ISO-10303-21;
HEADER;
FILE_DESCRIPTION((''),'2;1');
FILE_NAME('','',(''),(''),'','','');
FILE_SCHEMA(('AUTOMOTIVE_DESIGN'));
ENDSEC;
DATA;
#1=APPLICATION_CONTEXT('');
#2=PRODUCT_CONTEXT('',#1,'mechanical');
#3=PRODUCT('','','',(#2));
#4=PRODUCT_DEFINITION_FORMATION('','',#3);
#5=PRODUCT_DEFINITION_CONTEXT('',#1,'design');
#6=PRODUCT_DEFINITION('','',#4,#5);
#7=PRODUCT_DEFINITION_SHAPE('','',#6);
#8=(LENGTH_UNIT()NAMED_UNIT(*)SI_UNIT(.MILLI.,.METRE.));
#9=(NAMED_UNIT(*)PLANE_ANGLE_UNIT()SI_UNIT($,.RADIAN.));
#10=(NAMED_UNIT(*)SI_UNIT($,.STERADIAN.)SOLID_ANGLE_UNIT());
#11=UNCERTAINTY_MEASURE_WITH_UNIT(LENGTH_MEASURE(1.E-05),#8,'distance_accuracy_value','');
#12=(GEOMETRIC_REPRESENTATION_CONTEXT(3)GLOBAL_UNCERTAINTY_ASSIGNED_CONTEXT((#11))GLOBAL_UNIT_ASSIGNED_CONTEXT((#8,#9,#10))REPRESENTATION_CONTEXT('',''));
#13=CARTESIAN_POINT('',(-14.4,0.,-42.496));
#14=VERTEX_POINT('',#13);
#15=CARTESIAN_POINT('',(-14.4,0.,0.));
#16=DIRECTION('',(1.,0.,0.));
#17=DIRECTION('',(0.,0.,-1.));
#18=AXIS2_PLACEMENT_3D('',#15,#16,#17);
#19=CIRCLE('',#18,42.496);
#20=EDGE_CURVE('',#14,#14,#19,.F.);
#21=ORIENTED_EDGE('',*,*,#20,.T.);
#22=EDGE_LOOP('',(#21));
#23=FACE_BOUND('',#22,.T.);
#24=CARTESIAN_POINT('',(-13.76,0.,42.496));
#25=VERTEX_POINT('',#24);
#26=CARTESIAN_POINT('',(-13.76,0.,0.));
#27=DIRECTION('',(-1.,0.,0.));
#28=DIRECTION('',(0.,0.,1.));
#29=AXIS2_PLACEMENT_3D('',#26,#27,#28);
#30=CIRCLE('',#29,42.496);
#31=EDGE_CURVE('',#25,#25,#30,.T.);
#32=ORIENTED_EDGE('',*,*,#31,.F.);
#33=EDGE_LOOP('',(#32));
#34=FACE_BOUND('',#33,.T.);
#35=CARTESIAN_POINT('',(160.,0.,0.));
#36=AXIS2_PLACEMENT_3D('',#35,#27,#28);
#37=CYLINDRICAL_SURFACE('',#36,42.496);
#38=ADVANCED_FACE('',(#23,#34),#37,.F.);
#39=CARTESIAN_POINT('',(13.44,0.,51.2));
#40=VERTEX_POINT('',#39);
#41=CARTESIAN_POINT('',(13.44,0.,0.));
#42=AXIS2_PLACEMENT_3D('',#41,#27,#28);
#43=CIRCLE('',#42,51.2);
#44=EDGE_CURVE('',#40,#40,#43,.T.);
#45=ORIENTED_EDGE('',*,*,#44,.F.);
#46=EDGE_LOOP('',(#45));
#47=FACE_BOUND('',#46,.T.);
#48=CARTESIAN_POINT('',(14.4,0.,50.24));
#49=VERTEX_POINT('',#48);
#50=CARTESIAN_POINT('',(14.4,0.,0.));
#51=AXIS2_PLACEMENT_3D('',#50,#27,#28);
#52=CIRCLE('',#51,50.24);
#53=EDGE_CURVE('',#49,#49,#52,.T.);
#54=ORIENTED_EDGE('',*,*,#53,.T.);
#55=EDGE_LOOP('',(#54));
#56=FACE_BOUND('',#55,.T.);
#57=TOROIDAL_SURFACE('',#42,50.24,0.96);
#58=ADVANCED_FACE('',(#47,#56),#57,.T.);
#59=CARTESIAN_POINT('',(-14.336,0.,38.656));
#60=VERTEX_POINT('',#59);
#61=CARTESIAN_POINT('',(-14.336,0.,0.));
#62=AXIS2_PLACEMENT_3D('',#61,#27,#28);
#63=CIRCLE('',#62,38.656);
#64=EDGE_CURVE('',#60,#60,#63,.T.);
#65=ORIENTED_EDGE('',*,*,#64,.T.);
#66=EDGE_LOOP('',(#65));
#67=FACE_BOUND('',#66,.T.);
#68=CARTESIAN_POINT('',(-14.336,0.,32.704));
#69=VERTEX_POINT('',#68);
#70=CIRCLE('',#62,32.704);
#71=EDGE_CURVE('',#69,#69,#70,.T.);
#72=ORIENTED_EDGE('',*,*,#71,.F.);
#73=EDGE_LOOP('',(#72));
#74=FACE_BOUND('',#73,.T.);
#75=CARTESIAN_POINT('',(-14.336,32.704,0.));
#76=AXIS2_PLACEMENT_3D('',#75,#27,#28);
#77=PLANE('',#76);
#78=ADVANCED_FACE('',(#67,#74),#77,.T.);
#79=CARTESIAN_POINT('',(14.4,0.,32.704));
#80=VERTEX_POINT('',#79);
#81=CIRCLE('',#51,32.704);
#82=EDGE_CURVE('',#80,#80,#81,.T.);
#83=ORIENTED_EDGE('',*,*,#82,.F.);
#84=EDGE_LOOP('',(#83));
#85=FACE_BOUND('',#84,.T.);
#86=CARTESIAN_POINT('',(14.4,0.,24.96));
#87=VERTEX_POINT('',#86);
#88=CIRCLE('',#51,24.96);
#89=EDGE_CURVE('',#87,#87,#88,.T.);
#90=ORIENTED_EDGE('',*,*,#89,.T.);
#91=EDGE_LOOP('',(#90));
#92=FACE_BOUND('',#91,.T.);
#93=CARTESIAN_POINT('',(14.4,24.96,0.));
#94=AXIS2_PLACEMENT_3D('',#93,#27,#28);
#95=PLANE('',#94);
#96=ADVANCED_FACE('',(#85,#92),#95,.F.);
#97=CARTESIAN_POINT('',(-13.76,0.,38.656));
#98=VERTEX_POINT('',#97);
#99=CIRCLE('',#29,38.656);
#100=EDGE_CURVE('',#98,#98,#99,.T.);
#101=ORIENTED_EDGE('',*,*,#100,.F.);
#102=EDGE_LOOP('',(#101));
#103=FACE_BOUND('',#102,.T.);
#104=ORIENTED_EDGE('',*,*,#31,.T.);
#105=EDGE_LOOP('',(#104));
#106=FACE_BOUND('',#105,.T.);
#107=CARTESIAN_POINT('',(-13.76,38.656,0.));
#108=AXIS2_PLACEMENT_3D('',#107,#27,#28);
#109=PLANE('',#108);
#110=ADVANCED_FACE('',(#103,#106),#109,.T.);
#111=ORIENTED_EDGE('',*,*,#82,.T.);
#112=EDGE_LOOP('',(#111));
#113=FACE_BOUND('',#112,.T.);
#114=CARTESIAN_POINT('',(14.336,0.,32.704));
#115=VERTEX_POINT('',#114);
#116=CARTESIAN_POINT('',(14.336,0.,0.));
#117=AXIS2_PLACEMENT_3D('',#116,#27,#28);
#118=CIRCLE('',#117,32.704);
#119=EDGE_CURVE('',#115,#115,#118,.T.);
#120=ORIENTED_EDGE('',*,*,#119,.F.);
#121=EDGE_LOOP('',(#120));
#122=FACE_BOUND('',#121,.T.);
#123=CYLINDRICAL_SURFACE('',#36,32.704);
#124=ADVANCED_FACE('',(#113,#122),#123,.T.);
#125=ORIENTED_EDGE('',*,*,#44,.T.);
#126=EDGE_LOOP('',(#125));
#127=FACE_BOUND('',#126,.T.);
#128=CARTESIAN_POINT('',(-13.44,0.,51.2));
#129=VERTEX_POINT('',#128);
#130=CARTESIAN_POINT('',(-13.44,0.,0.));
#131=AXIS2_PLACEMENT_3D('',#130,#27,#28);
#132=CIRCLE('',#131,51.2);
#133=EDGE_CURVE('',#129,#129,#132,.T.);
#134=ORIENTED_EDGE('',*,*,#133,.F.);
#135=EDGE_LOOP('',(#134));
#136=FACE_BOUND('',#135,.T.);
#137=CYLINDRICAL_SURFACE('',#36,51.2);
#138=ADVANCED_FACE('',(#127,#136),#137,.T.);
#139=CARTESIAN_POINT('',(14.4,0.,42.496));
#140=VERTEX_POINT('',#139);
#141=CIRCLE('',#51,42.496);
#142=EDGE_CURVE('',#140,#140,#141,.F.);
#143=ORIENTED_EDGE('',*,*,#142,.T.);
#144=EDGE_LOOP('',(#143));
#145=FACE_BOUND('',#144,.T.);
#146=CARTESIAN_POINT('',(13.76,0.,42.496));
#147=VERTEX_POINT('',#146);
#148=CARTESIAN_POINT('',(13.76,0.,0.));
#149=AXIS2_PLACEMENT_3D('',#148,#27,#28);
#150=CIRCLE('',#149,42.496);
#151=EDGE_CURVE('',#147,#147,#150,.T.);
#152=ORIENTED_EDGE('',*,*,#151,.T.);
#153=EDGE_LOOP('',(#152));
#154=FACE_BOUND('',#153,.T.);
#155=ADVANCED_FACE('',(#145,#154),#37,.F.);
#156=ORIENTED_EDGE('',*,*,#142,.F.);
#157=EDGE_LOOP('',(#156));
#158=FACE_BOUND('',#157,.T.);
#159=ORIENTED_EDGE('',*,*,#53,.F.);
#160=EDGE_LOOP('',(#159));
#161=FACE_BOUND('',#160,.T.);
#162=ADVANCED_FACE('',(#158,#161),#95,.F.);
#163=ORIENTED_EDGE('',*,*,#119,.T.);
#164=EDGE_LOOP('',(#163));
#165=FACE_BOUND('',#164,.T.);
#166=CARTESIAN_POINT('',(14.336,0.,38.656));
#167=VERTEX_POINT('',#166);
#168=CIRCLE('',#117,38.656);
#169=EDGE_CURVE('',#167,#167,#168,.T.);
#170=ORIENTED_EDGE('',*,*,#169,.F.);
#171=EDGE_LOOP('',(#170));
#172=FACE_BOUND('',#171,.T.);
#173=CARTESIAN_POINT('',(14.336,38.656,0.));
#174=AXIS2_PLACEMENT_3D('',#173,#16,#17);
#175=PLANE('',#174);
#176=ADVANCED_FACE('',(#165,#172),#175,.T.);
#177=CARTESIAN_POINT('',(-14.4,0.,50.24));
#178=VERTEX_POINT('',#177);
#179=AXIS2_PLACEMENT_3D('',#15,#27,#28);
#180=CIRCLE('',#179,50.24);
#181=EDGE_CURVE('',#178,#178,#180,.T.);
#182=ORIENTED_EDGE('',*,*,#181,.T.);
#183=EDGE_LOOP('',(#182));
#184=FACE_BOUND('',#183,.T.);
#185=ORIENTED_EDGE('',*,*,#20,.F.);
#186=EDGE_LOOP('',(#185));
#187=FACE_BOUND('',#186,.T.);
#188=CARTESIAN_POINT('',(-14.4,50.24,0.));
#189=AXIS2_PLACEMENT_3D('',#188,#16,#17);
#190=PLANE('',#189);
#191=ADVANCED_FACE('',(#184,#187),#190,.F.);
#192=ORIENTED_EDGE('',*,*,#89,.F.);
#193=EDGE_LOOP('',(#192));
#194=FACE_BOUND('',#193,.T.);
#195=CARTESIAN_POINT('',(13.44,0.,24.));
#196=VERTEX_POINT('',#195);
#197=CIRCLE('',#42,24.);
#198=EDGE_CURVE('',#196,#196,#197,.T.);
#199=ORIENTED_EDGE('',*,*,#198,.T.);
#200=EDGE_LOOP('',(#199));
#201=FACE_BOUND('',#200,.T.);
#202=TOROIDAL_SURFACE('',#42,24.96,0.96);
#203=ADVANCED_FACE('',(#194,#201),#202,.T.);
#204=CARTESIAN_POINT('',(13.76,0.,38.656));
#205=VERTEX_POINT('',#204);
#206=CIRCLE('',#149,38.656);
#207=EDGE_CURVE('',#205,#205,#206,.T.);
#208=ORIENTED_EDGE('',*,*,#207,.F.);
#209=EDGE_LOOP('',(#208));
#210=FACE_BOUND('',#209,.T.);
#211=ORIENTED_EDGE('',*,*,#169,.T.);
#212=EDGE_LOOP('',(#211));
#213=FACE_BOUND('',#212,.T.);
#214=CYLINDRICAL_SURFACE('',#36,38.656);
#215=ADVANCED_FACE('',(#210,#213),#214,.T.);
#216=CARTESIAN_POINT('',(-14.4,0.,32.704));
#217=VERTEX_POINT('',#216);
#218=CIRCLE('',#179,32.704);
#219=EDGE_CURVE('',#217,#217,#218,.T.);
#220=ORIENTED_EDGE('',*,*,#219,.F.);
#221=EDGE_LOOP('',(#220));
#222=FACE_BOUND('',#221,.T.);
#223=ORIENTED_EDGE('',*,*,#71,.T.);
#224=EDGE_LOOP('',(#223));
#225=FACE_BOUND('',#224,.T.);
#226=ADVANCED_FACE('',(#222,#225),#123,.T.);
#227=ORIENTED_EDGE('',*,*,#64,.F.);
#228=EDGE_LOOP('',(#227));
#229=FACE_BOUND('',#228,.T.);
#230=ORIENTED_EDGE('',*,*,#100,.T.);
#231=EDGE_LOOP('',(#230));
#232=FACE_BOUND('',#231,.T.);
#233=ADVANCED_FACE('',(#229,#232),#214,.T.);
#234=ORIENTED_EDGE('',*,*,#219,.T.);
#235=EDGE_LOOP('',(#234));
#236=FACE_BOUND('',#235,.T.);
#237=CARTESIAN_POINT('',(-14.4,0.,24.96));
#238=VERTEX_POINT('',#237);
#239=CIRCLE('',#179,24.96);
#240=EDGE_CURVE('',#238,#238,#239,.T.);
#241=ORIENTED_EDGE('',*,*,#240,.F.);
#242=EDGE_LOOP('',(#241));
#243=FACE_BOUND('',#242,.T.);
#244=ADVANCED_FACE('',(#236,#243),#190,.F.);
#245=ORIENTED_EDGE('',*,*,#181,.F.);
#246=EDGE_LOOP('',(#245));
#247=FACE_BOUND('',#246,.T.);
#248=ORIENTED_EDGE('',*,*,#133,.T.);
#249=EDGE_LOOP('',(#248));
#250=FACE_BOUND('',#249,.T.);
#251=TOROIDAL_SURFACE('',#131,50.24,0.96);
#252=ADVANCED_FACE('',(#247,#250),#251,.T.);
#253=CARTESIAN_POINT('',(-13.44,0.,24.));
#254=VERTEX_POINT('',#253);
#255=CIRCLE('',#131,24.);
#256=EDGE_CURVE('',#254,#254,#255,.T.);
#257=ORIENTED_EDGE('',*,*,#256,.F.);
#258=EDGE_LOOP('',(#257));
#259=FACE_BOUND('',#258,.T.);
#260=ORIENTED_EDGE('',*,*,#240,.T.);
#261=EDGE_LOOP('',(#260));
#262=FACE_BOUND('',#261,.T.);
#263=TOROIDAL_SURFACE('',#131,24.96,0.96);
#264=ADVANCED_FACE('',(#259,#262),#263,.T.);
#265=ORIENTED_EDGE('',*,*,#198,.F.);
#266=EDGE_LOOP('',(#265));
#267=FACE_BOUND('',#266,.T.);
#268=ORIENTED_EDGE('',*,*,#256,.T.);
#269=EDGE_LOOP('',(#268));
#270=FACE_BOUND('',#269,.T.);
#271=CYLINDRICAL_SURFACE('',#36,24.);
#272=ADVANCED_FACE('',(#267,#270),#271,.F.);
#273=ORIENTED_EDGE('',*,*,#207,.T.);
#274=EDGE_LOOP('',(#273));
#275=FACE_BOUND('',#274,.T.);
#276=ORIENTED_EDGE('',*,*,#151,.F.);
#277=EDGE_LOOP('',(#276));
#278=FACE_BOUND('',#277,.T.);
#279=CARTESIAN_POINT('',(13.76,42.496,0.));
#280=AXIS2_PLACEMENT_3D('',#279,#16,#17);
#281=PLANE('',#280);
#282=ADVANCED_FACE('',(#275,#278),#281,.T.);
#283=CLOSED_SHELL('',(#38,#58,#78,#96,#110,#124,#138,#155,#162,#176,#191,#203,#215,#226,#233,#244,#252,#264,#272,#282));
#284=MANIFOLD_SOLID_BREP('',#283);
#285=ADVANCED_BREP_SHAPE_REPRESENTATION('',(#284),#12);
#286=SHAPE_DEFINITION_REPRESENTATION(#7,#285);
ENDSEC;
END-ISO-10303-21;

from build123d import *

# Parameters (mm, degrees)
SCALE1_SCALE = 3.2


with BuildPart() as part:
    # Sketch1 → Revolve1 (revolve)
    with BuildSketch(Plane.XY):
        with BuildLine():
            Line((-4.5, 15.7), (-4.5, 7.8))
            ThreePointArc((-4.5, 7.8), (-4.412132034, 7.587867966), (-4.2, 7.5))
            Line((-4.2, 7.5), (4.2, 7.5))
            ThreePointArc((4.2, 7.5), (4.412132034, 7.587867966), (4.5, 7.8))
            Line((4.5, 7.8), (4.5, 15.7))
            ThreePointArc((4.5, 15.7), (4.412132034, 15.912132034), (4.2, 16))
            Line((4.2, 16), (-4.2, 16))
            ThreePointArc((-4.2, 16), (-4.412132034, 15.912132034), (-4.5, 15.7))
        make_face()
    revolve(axis=Axis((50, 0, 0), (-1, 0, 0)))

    # Sketch2 → Cut-Revolve1 (revolve, cut)
    with BuildSketch(Plane.XY):
        Polygon((-6.3, 7.5), (-4.5, 7.5), (-4.5, 10.22), (-4.48, 10.22), (-4.48, 12.08), (-4.3, 12.08), (-4.3, 13.28), (-6.3, 13.28), align=None)
    revolve(axis=Axis((50, 0, 0), (-1, 0, 0)), mode=Mode.SUBTRACT)

    # Sketch3 → Cut-Revolve2 (revolve, cut)
    with BuildSketch(Plane.XY):
        Polygon((4.3, 13.28), (4.3, 12.08), (4.48, 12.08), (4.48, 10.22), (4.5, 10.22), (4.5, 7.5), (6.3, 7.5), (6.3, 13.28), align=None)
    revolve(axis=Axis((50, 0, 0), (-1, 0, 0)), mode=Mode.SUBTRACT)


with BuildPart() as part_1:
    # Scale1: scaled about (0, 0, 0)
    add(part.part.scale(SCALE1_SCALE))


solid = part_1.part
